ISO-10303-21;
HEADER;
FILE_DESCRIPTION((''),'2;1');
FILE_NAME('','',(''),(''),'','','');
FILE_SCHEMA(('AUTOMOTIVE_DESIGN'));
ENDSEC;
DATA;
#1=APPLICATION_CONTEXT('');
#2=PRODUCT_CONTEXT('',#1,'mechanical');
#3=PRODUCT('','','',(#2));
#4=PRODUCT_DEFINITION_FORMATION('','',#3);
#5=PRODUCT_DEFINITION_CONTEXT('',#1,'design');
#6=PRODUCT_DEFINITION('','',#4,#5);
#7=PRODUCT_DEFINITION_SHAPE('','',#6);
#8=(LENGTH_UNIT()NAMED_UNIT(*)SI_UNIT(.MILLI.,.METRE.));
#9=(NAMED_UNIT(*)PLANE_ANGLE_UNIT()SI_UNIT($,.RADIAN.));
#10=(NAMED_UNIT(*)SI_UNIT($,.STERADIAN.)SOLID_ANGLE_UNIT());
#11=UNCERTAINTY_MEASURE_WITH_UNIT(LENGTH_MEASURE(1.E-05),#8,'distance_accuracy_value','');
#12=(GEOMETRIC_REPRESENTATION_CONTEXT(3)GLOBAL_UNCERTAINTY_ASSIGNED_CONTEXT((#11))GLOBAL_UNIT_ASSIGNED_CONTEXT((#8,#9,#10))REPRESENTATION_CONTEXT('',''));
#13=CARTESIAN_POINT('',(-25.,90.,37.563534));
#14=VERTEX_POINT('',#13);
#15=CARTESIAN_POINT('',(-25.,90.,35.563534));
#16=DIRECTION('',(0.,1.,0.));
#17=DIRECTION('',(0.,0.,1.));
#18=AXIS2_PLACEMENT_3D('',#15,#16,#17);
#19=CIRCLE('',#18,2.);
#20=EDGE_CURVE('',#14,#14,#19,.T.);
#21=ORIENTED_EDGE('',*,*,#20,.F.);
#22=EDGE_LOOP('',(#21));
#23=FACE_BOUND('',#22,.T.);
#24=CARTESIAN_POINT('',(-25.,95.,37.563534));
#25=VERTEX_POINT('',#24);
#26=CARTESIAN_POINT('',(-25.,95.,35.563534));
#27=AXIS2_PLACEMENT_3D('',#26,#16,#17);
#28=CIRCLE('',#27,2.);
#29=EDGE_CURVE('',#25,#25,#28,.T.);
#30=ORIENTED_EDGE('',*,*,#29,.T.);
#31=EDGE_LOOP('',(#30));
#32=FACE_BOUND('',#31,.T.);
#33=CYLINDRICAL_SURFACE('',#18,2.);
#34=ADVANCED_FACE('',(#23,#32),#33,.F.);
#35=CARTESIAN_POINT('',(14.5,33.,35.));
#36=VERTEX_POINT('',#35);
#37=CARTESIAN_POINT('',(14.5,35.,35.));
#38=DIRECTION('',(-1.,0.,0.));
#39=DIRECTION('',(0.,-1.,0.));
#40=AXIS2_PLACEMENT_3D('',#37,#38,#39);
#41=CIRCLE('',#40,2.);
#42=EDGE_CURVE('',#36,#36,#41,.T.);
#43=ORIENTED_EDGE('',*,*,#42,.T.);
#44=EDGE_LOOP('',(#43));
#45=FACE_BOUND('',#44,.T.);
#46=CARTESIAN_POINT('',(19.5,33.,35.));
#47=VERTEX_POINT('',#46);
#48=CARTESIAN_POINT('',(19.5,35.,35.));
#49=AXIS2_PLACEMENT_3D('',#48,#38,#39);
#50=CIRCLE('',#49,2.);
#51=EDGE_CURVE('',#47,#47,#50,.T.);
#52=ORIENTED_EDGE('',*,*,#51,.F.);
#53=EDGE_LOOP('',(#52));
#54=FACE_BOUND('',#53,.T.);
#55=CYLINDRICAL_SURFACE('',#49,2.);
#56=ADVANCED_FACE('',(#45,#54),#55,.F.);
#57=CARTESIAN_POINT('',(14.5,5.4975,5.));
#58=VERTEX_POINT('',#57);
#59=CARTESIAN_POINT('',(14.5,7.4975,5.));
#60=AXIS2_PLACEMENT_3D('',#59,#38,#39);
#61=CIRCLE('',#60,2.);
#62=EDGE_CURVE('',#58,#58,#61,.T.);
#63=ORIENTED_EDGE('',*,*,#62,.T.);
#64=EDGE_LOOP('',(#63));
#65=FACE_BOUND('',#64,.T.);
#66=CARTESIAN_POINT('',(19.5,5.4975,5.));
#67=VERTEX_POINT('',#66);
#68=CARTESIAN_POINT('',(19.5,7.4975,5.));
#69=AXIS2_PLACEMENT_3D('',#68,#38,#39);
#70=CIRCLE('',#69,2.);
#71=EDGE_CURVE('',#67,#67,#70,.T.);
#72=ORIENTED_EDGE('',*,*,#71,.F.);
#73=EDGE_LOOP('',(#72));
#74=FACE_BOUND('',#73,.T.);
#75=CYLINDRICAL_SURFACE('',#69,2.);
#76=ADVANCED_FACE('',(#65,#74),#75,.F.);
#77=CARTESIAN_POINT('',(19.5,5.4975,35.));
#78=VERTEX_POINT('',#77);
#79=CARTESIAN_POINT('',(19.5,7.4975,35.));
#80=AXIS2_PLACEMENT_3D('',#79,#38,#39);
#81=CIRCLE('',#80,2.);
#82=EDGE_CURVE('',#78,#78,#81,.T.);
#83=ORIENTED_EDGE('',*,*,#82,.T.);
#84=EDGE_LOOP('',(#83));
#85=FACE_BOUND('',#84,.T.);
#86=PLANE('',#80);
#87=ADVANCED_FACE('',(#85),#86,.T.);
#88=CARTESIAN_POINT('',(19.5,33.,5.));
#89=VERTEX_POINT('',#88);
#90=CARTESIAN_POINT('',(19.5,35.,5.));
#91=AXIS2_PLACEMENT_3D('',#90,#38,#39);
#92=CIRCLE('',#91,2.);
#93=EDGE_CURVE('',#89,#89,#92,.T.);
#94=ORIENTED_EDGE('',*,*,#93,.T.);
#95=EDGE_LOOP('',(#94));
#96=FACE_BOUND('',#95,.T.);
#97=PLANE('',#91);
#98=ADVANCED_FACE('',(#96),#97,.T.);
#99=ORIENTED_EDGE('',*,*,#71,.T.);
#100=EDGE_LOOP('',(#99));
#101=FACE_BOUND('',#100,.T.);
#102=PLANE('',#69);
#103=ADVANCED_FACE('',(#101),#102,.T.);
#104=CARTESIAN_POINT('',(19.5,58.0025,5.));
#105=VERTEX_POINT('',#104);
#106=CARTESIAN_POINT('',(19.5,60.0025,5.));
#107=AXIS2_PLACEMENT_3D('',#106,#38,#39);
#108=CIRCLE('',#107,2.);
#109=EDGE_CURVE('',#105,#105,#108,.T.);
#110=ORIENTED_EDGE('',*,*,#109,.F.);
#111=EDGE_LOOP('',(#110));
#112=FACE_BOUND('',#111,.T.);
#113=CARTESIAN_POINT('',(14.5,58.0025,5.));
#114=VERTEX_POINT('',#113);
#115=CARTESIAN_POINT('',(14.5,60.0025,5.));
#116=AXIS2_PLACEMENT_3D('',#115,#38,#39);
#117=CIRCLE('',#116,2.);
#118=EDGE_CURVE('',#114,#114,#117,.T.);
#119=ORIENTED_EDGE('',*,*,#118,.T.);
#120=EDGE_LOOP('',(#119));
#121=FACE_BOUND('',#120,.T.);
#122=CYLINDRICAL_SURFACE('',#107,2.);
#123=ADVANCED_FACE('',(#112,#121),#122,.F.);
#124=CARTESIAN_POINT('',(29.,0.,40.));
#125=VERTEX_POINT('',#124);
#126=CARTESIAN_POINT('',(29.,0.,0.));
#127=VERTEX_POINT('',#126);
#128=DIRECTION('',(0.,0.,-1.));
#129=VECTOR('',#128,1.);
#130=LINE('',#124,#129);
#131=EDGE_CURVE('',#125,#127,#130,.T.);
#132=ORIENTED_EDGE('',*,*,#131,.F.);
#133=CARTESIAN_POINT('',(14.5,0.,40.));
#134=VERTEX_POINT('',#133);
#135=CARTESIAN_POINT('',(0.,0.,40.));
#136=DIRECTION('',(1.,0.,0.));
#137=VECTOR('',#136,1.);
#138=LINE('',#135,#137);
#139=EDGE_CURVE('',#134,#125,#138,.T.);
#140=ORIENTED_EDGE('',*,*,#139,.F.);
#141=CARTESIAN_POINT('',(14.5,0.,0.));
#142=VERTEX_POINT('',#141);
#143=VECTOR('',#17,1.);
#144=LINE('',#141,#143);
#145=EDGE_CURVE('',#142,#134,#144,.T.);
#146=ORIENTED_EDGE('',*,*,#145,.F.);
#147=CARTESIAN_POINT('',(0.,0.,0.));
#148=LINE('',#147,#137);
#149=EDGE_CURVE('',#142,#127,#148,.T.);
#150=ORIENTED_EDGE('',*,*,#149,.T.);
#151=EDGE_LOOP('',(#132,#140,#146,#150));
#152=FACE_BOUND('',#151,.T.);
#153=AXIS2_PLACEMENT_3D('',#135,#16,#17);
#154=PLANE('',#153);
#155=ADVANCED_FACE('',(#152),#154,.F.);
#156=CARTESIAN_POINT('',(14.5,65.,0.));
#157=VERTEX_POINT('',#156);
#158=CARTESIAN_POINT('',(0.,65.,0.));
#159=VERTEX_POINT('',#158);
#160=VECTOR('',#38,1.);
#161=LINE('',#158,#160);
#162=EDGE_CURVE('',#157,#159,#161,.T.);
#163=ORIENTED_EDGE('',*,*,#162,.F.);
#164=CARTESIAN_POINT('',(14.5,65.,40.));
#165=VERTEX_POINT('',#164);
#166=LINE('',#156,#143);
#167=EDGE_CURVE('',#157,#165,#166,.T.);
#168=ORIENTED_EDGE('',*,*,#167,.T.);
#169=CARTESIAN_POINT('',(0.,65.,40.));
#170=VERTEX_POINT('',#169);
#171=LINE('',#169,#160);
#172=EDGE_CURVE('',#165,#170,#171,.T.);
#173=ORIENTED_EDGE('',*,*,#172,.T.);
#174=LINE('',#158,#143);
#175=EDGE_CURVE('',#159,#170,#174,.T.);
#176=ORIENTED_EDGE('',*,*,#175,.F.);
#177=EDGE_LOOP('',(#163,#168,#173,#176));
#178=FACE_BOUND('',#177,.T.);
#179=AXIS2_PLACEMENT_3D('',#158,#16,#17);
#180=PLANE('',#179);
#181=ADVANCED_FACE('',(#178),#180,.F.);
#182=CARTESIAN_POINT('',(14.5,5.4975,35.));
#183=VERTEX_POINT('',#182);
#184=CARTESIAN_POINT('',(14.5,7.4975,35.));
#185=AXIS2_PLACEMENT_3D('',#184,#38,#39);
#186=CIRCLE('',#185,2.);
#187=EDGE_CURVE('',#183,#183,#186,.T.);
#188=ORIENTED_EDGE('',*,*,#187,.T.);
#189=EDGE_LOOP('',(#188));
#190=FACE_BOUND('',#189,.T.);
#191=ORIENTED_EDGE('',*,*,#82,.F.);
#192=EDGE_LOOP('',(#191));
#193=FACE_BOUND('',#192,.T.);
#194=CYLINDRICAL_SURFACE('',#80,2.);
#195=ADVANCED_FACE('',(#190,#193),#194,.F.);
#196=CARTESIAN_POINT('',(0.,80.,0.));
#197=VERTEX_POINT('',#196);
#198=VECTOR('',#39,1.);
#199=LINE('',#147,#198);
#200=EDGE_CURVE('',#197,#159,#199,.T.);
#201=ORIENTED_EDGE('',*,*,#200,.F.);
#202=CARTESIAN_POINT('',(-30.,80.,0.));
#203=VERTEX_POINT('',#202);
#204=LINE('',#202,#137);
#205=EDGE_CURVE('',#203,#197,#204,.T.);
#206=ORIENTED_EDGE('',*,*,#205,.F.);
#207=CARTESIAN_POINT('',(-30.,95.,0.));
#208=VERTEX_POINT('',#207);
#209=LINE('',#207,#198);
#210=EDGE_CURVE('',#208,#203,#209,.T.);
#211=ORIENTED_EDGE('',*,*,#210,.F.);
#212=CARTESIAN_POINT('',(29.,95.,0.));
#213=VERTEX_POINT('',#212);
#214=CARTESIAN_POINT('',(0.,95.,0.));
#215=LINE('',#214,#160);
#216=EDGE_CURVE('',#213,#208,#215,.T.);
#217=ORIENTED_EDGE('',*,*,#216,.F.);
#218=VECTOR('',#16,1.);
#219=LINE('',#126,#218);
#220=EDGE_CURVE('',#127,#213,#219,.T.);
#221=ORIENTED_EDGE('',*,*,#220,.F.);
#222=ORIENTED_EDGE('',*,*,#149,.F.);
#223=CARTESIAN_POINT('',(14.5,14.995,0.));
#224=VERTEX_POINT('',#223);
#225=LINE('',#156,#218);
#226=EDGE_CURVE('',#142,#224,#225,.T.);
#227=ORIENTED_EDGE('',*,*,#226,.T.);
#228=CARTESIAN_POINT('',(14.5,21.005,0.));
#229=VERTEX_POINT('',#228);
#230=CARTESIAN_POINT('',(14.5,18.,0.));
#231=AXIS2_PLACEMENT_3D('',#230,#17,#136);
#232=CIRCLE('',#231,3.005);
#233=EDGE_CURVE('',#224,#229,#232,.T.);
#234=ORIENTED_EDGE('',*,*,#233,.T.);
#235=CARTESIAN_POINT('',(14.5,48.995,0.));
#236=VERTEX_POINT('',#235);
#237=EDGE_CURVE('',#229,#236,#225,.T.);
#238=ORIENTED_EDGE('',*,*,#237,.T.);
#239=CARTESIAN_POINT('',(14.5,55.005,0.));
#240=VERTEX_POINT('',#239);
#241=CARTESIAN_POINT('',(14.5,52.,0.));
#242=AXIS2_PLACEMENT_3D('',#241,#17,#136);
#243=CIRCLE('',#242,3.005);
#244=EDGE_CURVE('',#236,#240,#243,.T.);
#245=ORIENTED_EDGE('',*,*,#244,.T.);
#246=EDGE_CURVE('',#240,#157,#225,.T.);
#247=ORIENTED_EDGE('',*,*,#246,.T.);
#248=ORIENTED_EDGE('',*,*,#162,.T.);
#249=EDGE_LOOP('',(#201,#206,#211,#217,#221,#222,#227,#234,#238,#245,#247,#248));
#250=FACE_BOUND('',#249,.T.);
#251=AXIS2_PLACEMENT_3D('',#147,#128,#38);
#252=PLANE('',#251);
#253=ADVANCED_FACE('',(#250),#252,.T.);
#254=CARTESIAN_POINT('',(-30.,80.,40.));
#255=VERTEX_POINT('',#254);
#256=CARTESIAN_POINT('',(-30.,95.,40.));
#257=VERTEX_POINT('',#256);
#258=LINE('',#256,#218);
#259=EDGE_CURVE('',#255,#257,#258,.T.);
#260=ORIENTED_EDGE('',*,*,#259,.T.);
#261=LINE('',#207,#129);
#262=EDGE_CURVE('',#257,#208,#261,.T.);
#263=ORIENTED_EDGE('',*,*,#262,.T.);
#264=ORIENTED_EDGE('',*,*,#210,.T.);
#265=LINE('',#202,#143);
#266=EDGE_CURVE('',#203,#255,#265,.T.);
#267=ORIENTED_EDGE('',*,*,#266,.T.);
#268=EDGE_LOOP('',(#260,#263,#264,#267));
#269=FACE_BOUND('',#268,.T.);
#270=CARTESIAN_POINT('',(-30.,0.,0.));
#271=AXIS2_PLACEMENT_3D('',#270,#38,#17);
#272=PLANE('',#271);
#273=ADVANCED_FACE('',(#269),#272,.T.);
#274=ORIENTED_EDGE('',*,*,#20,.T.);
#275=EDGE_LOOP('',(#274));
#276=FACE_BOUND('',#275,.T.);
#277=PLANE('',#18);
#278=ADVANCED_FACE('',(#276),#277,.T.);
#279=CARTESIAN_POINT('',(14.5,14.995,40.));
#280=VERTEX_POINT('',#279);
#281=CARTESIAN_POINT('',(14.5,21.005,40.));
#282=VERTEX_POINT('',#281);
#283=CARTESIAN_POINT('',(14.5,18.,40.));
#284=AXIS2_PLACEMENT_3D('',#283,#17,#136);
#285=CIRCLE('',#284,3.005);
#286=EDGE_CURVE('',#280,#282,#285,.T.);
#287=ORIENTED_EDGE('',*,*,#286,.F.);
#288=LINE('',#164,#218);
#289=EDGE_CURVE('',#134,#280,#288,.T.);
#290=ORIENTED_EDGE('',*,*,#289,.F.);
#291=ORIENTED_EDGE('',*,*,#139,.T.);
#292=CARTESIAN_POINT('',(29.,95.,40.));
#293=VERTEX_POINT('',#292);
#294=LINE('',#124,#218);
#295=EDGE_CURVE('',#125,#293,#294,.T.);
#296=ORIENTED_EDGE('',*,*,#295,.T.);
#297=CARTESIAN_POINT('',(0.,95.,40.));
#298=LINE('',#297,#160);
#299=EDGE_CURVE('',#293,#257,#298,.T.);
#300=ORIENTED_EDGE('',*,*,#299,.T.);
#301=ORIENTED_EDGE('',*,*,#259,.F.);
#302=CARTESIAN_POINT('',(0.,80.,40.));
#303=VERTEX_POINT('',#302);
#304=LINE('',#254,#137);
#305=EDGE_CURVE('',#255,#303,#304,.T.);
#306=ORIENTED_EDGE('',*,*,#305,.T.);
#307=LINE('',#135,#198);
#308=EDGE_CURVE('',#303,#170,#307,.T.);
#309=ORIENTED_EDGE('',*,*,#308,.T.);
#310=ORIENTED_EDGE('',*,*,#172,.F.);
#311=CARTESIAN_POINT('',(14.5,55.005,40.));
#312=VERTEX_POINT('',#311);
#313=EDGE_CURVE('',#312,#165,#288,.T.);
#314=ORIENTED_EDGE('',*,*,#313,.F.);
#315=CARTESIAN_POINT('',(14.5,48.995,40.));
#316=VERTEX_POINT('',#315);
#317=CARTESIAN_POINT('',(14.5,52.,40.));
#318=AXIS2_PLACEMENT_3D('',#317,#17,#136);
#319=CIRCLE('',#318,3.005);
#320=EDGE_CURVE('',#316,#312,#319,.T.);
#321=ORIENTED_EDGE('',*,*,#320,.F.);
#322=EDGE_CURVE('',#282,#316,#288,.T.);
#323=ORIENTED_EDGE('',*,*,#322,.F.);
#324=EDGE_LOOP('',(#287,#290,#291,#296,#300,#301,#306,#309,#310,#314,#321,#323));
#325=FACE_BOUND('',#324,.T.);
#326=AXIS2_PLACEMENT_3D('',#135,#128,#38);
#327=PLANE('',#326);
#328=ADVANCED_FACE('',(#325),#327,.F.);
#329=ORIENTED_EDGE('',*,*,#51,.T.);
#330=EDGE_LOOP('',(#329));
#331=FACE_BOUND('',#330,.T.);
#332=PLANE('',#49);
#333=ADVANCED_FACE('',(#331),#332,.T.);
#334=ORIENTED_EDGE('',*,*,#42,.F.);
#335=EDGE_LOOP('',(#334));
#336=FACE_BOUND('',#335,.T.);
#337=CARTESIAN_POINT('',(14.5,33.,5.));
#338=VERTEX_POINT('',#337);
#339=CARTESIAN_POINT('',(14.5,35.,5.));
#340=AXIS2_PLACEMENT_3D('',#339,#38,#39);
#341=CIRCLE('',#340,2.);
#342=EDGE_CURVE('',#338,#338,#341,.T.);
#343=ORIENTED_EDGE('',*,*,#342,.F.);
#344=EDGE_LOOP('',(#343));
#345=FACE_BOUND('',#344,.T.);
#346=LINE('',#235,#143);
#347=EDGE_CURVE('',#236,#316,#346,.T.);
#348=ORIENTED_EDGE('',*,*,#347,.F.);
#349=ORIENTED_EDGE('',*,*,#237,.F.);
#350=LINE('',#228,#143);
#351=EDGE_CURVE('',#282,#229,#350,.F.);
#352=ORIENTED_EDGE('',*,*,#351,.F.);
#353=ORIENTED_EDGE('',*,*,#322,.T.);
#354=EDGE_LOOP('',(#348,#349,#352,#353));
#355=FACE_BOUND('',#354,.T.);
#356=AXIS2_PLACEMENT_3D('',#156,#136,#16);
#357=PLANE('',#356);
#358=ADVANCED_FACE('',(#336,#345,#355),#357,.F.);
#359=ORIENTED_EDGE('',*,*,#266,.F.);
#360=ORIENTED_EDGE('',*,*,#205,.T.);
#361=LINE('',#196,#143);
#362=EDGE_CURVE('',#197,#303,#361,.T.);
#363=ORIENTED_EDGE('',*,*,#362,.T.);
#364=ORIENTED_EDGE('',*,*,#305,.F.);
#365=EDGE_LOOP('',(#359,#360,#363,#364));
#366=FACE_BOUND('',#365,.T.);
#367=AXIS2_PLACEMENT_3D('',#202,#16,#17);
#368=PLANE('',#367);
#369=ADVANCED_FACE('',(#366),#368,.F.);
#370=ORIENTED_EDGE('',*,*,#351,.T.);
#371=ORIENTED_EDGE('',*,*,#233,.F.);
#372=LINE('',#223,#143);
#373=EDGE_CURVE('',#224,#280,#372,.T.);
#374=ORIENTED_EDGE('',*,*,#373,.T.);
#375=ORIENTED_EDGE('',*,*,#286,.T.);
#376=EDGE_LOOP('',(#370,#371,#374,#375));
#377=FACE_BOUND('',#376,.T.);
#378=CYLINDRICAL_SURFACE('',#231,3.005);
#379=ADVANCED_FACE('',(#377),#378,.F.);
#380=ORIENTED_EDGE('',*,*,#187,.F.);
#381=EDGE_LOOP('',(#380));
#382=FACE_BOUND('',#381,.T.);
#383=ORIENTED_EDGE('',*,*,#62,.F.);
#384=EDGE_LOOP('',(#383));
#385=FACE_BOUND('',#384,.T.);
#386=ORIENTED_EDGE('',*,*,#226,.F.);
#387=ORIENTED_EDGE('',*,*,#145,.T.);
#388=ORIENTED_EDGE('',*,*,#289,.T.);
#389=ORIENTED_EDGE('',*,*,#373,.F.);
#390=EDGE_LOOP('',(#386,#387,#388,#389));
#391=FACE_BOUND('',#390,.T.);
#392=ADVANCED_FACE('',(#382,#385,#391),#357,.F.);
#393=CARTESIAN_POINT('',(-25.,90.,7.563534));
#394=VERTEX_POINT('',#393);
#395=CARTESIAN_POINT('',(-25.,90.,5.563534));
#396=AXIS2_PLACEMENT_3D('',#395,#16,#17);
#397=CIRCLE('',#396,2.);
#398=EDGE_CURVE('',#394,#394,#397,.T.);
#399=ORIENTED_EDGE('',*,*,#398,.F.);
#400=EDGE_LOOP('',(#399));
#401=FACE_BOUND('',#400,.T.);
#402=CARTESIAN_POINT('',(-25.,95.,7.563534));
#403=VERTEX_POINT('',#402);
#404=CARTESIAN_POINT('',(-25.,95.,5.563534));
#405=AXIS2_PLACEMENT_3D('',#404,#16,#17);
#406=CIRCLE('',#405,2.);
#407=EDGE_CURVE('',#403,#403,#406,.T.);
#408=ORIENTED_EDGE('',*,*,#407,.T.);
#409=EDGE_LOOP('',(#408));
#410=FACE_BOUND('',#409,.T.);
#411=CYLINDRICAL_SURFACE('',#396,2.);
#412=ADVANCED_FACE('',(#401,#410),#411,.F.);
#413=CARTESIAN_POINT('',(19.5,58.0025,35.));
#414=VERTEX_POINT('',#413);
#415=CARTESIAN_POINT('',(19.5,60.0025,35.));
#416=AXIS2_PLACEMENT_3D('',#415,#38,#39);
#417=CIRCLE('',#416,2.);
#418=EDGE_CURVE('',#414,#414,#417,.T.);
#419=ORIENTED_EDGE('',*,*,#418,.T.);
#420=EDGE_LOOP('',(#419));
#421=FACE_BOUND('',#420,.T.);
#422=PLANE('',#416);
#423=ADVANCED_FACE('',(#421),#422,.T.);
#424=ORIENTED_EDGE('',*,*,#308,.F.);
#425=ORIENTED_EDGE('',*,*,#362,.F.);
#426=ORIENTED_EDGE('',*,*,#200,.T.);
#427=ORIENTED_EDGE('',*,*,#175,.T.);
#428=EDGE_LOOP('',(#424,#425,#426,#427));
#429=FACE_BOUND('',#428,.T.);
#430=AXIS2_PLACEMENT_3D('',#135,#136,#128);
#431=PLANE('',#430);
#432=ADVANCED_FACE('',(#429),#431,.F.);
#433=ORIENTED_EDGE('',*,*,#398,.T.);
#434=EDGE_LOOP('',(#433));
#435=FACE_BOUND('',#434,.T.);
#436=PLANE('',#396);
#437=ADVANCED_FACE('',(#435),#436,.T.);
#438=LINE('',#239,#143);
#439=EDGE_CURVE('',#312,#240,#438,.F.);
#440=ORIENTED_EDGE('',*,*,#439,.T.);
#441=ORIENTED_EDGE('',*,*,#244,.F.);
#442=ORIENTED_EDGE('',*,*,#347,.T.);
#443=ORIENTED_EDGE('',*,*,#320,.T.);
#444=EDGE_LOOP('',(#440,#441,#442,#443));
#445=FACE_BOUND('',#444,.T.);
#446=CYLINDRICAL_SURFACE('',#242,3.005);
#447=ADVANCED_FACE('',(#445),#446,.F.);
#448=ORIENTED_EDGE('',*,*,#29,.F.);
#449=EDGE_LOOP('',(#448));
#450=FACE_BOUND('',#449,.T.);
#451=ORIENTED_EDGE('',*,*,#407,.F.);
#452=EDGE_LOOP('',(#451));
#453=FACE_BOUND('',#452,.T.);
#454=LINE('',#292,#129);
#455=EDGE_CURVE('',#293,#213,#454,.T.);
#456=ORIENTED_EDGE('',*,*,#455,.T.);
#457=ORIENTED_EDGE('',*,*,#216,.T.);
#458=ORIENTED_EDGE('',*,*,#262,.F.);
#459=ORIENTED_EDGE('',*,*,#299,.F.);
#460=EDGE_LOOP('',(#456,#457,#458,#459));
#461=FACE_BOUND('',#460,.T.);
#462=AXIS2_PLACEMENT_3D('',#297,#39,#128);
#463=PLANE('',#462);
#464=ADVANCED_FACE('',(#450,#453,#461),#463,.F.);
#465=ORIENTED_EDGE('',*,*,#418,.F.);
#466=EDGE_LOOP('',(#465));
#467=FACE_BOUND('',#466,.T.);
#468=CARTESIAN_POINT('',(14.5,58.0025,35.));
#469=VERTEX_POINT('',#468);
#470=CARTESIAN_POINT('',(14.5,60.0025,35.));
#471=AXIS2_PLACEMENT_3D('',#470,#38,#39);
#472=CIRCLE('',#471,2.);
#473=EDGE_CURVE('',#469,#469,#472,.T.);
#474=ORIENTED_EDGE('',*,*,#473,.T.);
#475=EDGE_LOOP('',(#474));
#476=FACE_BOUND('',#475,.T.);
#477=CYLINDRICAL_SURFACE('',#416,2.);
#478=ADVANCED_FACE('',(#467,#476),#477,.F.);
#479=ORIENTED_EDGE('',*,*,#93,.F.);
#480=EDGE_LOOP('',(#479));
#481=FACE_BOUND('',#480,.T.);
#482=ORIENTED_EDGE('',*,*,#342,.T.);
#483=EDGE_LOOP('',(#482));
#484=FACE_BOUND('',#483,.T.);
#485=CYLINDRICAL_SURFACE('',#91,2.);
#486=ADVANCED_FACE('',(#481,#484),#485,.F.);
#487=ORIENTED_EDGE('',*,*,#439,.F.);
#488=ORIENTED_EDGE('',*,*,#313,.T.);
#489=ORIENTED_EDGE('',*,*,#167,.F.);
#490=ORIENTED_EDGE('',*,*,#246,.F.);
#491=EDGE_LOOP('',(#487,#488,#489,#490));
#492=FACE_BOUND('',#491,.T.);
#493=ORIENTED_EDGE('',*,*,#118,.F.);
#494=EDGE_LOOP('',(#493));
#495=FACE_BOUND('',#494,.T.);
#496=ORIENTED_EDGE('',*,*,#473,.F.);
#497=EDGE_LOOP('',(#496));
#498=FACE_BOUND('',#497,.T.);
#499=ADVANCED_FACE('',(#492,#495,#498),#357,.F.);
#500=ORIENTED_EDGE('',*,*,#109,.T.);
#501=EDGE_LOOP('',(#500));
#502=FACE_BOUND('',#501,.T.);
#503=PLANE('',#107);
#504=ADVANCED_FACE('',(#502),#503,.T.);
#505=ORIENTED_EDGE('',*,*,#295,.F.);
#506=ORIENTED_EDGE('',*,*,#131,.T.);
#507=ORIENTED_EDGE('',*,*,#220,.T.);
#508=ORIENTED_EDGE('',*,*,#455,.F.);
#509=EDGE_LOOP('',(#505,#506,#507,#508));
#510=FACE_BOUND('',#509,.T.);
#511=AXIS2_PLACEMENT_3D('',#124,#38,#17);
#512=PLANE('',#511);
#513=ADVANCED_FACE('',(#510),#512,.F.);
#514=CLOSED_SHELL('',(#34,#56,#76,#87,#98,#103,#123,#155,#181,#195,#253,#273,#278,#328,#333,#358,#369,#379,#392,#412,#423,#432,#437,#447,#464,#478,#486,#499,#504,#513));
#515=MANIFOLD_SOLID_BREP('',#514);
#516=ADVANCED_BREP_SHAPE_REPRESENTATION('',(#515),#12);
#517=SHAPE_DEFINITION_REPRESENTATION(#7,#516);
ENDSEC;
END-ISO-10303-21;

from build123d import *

# Parameters (mm, degrees)
SKETCH_3_W          = 29
SKETCH_3_H          = 95
EXTRUDE_1_DEPTH     = 40
SKETCH_4_R          = 3.005
CUT_EXTRUDE_1_DEPTH = 108.079409785
SKETCH_6_W          = 40
SKETCH_6_H          = 15
EXTRUDE_3_DEPTH     = 30
SKETCH_7_W          = 14.5
SKETCH_7_H          = 65
CUT_EXTRUDE_2_DEPTH = 108.354552768
SKETCH_9_R          = 2
CUT_EXTRUDE_4_DEPTH = 5
SKETCH_10_R         = 2
CUT_EXTRUDE_5_DEPTH = 5
SKETCH_11_R         = 2
CUT_EXTRUDE_6_DEPTH = 5
SKETCH_12_R         = 2
CUT_EXTRUDE_7_DEPTH = 5


with BuildPart() as part:
    # 草图3 → 凸台-拉伸1 (new body)
    with BuildSketch(Plane.XY):
        with Locations((14.5, 47.5)):
            Rectangle(SKETCH_3_W, SKETCH_3_H)
    extrude(amount=EXTRUDE_1_DEPTH)

    # 草图4 → 切除-拉伸1 (cut, through all)
    with BuildSketch(Plane.XY.offset(40)):
        with Locations((14.5, 52)):
            Circle(SKETCH_4_R)
        with Locations((14.5, 18)):
            Circle(SKETCH_4_R)
    extrude(amount=-CUT_EXTRUDE_1_DEPTH, mode=Mode.SUBTRACT)

    # 草图6 → 凸台-拉伸3 (add)
    with BuildSketch(Plane.ZY):
        with Locations((20, 87.5)):
            Rectangle(SKETCH_6_W, SKETCH_6_H)
    extrude(amount=EXTRUDE_3_DEPTH)

    # 草图7 → 切除-拉伸2 (cut, through all)
    with BuildSketch(Plane.XY.offset(40)):
        with Locations((7.25, 32.5)):
            Rectangle(SKETCH_7_W, SKETCH_7_H)
    extrude(amount=-CUT_EXTRUDE_2_DEPTH, mode=Mode.SUBTRACT)

    # 草图9 → 切除-拉伸4 (cut)
    with BuildSketch(Plane.ZY.offset(-14.5)):
        with Locations(Location((5, 60.0025, 0), (0, 0, 270))):
            Circle(SKETCH_9_R)
        with Locations(Location((35, 60.0025, 0), (0, 0, 270))):
            Circle(SKETCH_9_R)
    extrude(amount=-CUT_EXTRUDE_4_DEPTH, mode=Mode.SUBTRACT)

    # 草图10 → 切除-拉伸5 (cut)
    with BuildSketch(Plane.ZY.offset(-14.5)):
        with Locations(Location((5, 7.4975, 0), (0, 0, 270))):
            Circle(SKETCH_10_R)
        with Locations(Location((35, 7.4975, 0), (0, 0, 270))):
            Circle(SKETCH_10_R)
    extrude(amount=-CUT_EXTRUDE_5_DEPTH, mode=Mode.SUBTRACT)

    # 草图11 → 切除-拉伸6 (cut)
    with BuildSketch(Plane.ZY.offset(-14.5)):
        with Locations(Location((5, 35, 0), (0, 0, 270))):
            Circle(SKETCH_11_R)
        with Locations(Location((35, 35, 0), (0, 0, 270))):
            Circle(SKETCH_11_R)
    extrude(amount=-CUT_EXTRUDE_6_DEPTH, mode=Mode.SUBTRACT)

    # 草图12 → 切除-拉伸7 (cut)
    with BuildSketch(Plane(origin=(0, 95, 0), x_dir=(1, 0, 0), z_dir=(0, 1, 0))):
        with Locations(Location((-25, -35.563533882, 0), (0, 0, 270))):
            Circle(SKETCH_12_R)
        with Locations(Location((-25, -5.563533882, 0), (0, 0, 270))):
            Circle(SKETCH_12_R)
    extrude(amount=-CUT_EXTRUDE_7_DEPTH, mode=Mode.SUBTRACT)


solid = part.part
